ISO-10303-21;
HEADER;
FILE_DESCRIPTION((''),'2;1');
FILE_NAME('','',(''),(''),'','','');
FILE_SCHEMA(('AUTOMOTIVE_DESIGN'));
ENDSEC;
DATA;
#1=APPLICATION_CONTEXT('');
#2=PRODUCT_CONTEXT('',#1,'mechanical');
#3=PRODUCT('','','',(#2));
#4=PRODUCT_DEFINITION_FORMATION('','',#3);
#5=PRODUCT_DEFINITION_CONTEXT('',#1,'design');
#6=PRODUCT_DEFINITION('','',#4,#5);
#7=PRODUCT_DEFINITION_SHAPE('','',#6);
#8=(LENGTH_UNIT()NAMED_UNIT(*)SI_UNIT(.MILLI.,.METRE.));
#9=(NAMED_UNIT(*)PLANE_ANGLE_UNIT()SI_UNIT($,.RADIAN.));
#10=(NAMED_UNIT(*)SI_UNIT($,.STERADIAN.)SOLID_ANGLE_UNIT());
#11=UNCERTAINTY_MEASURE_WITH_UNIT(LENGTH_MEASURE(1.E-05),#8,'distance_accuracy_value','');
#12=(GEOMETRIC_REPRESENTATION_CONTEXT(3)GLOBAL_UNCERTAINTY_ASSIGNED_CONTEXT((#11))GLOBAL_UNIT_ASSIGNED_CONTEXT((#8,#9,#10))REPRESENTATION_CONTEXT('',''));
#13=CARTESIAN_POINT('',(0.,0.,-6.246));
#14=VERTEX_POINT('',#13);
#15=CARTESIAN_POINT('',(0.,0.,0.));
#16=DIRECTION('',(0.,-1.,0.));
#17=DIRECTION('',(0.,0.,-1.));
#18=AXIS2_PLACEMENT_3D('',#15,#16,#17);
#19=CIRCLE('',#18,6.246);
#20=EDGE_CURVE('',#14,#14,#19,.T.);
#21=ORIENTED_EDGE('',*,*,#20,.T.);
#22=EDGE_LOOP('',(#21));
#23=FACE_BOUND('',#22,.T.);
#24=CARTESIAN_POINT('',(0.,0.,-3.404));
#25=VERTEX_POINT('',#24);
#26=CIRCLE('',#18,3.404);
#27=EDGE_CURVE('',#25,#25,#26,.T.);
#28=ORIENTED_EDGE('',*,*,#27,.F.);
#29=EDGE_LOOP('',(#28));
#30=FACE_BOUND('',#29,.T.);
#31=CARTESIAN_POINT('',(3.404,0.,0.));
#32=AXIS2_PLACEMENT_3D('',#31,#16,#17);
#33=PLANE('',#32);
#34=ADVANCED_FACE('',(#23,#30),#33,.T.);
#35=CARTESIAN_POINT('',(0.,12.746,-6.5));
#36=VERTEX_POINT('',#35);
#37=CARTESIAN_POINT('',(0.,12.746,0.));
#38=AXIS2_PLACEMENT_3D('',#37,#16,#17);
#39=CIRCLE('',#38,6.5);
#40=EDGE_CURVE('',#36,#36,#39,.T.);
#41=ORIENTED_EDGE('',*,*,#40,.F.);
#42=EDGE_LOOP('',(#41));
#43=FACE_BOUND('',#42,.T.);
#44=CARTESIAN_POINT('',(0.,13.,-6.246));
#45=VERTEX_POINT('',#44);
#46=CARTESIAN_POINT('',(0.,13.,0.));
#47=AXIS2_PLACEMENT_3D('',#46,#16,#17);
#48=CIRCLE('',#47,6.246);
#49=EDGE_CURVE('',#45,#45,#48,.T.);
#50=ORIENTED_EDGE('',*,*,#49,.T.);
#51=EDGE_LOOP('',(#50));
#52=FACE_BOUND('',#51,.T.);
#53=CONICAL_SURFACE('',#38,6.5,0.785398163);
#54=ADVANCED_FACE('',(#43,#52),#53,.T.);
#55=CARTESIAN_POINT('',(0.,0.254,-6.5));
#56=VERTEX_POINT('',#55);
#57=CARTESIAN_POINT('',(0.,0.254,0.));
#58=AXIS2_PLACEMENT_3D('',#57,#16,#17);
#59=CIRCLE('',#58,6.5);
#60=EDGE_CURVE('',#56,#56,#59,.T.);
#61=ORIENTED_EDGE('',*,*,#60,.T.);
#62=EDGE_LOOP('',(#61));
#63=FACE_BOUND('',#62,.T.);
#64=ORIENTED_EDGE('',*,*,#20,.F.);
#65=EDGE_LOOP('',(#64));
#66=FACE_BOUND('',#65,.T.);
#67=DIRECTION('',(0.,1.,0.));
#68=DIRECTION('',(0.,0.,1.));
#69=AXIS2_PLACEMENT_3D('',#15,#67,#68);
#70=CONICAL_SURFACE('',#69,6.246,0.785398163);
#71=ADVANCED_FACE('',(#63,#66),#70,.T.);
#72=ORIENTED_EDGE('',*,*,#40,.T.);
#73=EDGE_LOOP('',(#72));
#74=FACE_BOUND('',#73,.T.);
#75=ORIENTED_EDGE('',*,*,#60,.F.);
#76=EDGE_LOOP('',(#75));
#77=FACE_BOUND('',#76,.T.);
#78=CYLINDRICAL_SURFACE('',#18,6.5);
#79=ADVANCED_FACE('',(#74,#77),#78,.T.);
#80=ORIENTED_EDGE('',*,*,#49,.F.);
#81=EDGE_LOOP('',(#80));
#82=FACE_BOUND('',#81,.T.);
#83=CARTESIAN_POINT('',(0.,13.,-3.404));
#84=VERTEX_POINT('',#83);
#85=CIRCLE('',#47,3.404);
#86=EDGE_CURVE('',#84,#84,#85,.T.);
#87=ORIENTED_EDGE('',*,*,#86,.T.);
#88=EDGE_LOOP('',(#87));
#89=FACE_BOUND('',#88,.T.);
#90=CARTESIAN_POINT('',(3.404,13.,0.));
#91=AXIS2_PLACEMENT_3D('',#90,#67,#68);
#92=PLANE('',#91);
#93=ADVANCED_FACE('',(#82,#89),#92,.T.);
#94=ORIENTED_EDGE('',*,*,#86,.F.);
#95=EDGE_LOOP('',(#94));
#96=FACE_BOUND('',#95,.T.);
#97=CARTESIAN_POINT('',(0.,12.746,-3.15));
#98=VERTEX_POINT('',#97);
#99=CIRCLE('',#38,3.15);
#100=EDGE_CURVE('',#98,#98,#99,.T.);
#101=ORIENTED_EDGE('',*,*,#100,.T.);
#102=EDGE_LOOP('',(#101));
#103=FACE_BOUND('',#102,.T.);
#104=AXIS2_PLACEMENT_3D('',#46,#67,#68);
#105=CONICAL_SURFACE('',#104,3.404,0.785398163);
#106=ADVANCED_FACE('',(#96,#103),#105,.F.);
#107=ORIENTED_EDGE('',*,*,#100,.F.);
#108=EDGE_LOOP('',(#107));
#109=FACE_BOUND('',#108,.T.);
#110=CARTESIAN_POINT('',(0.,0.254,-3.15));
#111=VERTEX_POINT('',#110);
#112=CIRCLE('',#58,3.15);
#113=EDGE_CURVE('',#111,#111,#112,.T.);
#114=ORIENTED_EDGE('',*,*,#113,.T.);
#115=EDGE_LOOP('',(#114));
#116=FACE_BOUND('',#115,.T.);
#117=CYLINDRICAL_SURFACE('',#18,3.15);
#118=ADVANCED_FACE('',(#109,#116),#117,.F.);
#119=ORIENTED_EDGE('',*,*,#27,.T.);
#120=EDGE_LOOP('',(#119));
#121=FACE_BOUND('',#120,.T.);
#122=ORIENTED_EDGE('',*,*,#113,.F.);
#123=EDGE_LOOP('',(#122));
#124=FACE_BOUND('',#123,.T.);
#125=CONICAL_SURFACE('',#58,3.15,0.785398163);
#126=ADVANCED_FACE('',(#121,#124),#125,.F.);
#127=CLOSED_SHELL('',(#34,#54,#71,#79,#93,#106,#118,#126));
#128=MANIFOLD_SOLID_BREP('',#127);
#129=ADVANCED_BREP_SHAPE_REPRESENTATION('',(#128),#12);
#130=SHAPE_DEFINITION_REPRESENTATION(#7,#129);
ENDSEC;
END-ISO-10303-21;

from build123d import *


with BuildPart() as part:
    # Sketch1 → Revolve1 (revolve)
    with BuildSketch(Plane.XY, mode=Mode.PRIVATE) as revolve1_sk:
        Polygon((6.246, 13), (6.5, 12.746), (6.5, 0.254), (6.246, 0), (3.404, 0), (3.15, 0.254), (3.15, 12.746), (3.404, 13), align=None)
    revolve(revolve1_sk.sketch.rotate(Axis((0, 0, 0), (0, 1, 0)), 90), axis=Axis((0, 0, 0), (0, 1, 0)))  # turned: the seam where the file's is


solid = part.part
